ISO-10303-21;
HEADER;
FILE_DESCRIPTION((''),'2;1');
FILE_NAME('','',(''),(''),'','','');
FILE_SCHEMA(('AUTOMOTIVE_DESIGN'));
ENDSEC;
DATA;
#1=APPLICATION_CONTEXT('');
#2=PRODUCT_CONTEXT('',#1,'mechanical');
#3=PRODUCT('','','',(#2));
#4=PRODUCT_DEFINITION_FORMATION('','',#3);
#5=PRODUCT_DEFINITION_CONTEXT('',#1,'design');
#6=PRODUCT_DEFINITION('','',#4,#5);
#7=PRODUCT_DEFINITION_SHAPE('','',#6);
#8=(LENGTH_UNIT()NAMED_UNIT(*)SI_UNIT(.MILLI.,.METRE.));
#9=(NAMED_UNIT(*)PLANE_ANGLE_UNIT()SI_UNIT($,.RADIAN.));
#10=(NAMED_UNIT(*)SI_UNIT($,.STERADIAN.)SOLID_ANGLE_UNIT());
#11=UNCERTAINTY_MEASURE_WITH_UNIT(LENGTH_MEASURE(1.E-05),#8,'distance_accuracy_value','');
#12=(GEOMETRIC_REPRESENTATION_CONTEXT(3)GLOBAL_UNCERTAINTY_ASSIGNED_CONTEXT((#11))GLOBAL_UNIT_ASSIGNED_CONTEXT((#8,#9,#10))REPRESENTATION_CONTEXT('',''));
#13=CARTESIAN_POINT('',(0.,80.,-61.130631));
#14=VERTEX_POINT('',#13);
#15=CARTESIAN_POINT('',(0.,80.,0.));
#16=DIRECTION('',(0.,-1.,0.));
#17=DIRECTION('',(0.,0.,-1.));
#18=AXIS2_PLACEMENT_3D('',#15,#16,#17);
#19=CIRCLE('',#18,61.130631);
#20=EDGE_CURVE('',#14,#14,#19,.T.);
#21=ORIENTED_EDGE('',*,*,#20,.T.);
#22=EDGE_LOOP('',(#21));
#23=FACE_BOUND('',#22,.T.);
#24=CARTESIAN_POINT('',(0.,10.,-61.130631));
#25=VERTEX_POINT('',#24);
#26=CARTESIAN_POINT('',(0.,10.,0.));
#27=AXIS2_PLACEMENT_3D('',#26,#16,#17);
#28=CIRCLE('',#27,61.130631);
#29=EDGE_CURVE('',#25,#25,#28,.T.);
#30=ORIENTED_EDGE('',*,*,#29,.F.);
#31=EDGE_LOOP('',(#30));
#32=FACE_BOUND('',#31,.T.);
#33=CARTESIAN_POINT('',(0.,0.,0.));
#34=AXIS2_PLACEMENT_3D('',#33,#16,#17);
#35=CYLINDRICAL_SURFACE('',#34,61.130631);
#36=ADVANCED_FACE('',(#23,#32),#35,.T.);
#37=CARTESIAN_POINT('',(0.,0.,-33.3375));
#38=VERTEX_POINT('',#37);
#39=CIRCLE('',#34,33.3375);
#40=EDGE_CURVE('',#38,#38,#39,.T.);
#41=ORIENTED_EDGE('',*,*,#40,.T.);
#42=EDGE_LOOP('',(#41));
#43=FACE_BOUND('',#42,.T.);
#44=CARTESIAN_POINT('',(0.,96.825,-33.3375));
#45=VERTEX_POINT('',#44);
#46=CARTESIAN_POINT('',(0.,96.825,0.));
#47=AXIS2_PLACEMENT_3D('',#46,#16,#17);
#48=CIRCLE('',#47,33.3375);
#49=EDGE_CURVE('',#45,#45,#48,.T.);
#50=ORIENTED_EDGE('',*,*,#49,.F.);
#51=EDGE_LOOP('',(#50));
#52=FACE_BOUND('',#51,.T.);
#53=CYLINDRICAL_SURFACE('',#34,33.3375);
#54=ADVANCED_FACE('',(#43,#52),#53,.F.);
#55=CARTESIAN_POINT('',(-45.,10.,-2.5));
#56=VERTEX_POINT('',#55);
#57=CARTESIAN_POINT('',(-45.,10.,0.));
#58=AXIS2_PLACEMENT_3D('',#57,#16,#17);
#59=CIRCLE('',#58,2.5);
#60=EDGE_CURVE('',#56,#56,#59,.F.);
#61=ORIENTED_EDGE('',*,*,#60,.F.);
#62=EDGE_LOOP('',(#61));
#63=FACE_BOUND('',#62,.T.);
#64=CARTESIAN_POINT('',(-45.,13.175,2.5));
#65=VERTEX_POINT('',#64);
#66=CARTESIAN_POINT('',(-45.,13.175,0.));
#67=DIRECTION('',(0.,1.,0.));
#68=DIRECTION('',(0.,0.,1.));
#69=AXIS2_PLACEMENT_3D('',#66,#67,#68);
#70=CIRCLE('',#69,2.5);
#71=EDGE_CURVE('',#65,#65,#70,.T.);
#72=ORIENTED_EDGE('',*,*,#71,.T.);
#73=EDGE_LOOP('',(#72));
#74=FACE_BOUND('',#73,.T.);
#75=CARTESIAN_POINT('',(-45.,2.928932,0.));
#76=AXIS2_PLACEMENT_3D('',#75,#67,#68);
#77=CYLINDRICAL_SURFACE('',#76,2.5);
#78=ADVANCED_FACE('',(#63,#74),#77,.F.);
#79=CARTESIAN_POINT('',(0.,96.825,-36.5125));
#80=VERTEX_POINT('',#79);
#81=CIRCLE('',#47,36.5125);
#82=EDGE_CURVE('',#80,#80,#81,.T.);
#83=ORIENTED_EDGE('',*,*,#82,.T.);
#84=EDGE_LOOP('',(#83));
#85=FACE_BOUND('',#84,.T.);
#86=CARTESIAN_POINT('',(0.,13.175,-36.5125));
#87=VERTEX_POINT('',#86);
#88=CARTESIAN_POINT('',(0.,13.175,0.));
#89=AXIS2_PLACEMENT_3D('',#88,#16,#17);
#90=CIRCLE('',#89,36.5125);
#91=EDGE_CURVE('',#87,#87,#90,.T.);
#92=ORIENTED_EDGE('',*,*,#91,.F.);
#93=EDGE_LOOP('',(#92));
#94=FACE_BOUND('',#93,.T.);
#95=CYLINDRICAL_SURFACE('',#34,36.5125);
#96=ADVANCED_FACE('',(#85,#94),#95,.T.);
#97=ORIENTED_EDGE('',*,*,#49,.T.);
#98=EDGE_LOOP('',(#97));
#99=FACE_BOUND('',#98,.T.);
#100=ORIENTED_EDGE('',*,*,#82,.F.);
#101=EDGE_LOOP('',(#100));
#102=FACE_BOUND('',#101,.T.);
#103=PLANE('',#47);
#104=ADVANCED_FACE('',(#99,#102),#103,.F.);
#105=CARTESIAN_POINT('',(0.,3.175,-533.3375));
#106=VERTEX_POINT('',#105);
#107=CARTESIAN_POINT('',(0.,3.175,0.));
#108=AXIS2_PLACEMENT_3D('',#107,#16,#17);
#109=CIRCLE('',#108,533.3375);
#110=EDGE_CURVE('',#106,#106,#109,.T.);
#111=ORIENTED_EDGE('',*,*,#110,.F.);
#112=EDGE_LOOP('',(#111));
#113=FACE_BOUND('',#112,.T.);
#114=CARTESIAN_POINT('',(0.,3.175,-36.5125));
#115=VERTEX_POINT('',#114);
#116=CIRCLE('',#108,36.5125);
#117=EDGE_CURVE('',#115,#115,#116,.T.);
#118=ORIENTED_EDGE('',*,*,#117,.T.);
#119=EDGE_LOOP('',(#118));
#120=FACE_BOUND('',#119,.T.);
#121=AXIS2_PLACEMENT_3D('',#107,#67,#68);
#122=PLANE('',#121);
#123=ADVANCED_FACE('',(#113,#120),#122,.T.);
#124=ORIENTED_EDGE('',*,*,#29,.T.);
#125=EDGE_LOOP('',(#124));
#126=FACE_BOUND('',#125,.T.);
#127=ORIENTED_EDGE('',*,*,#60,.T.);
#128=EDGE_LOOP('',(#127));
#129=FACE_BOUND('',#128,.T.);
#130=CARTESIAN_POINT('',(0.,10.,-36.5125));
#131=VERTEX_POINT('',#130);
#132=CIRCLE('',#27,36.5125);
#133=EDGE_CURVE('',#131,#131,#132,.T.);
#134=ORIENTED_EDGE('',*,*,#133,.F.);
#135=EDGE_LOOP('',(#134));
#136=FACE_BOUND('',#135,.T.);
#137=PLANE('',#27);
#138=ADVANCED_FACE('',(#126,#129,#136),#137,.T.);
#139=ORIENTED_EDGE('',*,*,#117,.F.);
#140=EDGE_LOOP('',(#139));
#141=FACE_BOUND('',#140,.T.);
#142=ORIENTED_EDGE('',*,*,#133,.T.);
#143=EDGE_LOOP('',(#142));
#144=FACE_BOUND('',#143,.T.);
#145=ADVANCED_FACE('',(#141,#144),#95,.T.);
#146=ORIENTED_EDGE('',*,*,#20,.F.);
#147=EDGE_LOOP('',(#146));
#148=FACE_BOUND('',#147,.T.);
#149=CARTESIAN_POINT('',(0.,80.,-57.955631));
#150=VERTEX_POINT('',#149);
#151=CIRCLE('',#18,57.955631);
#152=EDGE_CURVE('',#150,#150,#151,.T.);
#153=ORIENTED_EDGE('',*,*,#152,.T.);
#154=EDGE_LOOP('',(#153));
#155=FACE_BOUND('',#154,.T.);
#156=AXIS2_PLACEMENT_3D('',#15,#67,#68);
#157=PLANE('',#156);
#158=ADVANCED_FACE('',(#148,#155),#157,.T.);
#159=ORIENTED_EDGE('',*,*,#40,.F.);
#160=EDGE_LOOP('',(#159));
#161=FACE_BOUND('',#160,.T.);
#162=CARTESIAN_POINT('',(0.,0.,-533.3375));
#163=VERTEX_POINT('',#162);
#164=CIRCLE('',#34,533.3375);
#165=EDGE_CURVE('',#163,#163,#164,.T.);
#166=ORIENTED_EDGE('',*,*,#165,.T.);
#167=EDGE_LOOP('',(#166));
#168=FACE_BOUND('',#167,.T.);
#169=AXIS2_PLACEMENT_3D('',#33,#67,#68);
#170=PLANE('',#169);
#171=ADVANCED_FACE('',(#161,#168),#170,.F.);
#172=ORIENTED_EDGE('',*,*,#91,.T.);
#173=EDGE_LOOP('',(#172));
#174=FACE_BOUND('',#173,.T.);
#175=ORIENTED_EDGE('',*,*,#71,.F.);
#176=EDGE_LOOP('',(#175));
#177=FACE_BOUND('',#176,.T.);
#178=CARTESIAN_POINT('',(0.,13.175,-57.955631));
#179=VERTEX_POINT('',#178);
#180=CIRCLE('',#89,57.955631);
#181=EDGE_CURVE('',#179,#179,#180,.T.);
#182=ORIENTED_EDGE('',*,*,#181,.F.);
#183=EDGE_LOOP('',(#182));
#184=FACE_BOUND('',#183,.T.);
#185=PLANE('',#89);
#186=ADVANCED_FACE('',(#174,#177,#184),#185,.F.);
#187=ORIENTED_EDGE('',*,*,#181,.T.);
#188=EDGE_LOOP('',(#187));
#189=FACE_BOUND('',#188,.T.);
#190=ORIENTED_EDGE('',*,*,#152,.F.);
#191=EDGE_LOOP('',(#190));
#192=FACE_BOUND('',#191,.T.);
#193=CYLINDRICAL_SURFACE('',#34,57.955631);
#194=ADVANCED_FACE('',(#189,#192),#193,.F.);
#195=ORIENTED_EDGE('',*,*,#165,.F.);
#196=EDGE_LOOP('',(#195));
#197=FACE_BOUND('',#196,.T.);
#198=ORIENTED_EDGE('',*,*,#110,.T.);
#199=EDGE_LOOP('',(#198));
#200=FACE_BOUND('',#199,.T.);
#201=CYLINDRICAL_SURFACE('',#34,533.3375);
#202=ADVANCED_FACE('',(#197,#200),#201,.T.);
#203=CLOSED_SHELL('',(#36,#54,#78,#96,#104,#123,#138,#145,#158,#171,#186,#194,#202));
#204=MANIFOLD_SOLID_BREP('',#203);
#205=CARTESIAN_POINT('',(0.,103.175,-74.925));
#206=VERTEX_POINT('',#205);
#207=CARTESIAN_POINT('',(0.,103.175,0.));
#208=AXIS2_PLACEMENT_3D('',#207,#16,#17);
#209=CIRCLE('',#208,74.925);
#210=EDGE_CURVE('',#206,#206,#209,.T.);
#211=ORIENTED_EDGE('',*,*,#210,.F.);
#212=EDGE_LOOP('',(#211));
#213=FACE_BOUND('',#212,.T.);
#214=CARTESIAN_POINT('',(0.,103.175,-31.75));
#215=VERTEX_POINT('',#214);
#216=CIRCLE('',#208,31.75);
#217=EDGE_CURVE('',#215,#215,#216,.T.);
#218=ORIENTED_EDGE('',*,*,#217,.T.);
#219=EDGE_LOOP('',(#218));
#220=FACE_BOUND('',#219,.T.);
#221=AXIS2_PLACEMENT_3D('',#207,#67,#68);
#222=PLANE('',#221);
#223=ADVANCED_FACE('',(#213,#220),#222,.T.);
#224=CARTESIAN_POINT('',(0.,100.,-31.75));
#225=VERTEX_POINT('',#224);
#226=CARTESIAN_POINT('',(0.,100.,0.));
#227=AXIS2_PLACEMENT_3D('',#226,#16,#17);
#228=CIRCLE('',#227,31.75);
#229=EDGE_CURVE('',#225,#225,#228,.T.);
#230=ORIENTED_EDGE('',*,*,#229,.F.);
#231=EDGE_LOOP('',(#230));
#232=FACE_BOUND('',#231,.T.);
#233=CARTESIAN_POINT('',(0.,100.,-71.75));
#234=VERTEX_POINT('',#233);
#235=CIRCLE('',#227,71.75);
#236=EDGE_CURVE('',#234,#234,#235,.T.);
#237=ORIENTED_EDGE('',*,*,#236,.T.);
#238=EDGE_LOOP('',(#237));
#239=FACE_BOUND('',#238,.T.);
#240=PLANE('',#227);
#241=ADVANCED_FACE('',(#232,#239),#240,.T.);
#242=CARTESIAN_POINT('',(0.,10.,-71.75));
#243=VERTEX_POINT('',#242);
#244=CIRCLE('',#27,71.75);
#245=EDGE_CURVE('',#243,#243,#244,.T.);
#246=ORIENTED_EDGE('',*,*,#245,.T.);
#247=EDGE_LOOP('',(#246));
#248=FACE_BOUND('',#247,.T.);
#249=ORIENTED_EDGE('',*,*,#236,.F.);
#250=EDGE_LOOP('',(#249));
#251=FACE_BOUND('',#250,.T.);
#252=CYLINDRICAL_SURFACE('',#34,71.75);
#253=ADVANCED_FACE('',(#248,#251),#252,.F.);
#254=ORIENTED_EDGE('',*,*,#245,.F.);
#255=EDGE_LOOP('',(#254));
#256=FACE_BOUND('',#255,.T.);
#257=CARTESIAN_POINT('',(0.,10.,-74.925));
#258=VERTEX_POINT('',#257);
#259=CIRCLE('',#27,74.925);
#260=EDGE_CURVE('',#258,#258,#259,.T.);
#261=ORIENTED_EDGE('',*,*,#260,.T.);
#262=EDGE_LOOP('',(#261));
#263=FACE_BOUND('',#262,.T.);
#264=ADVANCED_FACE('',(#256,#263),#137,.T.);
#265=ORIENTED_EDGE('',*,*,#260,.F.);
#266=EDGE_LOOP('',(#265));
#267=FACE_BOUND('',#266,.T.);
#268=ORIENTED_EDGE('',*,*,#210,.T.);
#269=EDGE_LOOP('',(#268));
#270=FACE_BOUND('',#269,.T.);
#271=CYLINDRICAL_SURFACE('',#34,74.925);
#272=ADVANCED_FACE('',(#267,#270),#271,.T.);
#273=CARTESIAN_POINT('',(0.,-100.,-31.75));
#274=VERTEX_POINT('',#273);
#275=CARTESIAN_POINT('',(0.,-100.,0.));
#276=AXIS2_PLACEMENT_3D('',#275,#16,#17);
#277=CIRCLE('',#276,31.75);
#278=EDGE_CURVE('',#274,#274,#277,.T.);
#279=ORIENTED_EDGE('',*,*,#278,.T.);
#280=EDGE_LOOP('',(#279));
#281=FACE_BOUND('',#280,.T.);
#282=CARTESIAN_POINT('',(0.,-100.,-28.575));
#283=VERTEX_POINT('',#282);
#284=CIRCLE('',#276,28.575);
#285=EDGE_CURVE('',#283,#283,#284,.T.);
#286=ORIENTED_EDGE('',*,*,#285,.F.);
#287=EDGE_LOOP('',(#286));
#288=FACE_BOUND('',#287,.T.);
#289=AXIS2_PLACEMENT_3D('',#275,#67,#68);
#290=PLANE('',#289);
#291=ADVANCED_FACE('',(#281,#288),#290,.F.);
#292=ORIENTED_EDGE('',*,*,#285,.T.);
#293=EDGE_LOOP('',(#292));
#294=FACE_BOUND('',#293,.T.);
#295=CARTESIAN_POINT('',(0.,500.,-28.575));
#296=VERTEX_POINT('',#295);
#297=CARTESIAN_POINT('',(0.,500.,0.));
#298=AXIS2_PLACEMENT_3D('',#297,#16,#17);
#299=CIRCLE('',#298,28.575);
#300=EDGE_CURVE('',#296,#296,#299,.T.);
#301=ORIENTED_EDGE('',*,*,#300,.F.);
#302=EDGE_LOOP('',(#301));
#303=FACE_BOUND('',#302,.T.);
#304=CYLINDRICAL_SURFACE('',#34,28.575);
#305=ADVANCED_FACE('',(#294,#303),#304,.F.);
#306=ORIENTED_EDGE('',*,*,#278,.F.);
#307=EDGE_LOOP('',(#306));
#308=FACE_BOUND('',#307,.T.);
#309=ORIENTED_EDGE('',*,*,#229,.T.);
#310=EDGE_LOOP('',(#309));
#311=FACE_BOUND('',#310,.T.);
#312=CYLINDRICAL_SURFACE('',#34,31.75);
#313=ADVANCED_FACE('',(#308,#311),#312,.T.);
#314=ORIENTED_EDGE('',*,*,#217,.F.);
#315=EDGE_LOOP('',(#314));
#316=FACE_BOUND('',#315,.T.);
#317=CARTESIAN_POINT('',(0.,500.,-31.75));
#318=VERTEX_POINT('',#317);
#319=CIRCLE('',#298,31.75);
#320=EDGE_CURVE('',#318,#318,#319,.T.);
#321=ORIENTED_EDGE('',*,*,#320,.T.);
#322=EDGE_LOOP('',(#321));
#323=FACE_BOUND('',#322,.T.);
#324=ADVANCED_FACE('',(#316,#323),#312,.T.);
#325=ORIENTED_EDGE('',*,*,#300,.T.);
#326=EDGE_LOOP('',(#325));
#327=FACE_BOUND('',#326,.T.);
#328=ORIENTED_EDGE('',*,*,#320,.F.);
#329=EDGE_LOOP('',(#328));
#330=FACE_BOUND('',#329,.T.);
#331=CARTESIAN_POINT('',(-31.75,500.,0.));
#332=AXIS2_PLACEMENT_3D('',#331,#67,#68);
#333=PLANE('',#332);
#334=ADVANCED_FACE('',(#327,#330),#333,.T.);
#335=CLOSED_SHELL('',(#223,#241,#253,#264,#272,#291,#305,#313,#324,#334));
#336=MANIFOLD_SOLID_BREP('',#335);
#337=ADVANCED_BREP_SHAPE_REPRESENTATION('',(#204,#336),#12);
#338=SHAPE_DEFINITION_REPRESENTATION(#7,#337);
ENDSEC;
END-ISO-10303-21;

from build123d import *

# Parameters (mm, degrees)
SKETCH6_W          = 500
SKETCH6_H          = 3.175
SKETCH6_W_2        = 3.175
SKETCH6_H_2        = 66.825
SKETCH8_R          = 2.5
CUT_EXTRUDE1_DEPTH = 3.175


with BuildPart() as part:
    # Sketch2 → Revolve1 (revolve)
    with BuildSketch(Plane.XY, mode=Mode.PRIVATE) as revolve1_sk:
        Polygon((-28.575, 500), (-31.75, 500), (-31.75, 103.175), (-74.925, 103.175), (-74.925, 10), (-71.75, 10), (-71.75, 100), (-31.75, 100), (-31.75, -100), (-28.575, -100), align=None)
    revolve(revolve1_sk.sketch.rotate(Axis((0, 0, 0), (0, 1, 0)), 270), axis=Axis((0, 0, 0), (0, 1, 0)))


with BuildPart() as body_2:
    # Sketch6 → Revolve2 (revolve)
    with BuildSketch(Plane.XY, mode=Mode.PRIVATE) as revolve2_sk:
        with Locations((-283.3375, 1.5875)):
            Rectangle(SKETCH6_W, SKETCH6_H)
        Polygon((-36.5125, 3.175), (-33.3375, 3.175), (-33.3375, 96.825), (-36.5125, 96.825), (-36.5125, 13.175), (-36.5125, 10), align=None)
        Polygon((-61.130631236, 10), (-36.5125, 10), (-36.5125, 13.175), (-57.955631236, 13.175), (-61.130631236, 13.175), align=None)
        with Locations((-59.543131236, 46.5875)):
            Rectangle(SKETCH6_W_2, SKETCH6_H_2)
    revolve(revolve2_sk.sketch.rotate(Axis((0, 0, 0), (0, 1, 0)), 270), axis=Axis((0, 0, 0), (0, 1, 0)))

    # Sketch8 → Cut-Extrude1 (cut)
    with BuildSketch(Plane(origin=(0, 13.175, 0), x_dir=(1, 0, 0), z_dir=(0, 1, 0))):
        with Locations(Location((-45, 0, 0), (0, 0, 270))):
            Circle(SKETCH8_R)
    extrude(amount=-CUT_EXTRUDE1_DEPTH, mode=Mode.SUBTRACT)


solid = Compound([part.part, body_2.part])
